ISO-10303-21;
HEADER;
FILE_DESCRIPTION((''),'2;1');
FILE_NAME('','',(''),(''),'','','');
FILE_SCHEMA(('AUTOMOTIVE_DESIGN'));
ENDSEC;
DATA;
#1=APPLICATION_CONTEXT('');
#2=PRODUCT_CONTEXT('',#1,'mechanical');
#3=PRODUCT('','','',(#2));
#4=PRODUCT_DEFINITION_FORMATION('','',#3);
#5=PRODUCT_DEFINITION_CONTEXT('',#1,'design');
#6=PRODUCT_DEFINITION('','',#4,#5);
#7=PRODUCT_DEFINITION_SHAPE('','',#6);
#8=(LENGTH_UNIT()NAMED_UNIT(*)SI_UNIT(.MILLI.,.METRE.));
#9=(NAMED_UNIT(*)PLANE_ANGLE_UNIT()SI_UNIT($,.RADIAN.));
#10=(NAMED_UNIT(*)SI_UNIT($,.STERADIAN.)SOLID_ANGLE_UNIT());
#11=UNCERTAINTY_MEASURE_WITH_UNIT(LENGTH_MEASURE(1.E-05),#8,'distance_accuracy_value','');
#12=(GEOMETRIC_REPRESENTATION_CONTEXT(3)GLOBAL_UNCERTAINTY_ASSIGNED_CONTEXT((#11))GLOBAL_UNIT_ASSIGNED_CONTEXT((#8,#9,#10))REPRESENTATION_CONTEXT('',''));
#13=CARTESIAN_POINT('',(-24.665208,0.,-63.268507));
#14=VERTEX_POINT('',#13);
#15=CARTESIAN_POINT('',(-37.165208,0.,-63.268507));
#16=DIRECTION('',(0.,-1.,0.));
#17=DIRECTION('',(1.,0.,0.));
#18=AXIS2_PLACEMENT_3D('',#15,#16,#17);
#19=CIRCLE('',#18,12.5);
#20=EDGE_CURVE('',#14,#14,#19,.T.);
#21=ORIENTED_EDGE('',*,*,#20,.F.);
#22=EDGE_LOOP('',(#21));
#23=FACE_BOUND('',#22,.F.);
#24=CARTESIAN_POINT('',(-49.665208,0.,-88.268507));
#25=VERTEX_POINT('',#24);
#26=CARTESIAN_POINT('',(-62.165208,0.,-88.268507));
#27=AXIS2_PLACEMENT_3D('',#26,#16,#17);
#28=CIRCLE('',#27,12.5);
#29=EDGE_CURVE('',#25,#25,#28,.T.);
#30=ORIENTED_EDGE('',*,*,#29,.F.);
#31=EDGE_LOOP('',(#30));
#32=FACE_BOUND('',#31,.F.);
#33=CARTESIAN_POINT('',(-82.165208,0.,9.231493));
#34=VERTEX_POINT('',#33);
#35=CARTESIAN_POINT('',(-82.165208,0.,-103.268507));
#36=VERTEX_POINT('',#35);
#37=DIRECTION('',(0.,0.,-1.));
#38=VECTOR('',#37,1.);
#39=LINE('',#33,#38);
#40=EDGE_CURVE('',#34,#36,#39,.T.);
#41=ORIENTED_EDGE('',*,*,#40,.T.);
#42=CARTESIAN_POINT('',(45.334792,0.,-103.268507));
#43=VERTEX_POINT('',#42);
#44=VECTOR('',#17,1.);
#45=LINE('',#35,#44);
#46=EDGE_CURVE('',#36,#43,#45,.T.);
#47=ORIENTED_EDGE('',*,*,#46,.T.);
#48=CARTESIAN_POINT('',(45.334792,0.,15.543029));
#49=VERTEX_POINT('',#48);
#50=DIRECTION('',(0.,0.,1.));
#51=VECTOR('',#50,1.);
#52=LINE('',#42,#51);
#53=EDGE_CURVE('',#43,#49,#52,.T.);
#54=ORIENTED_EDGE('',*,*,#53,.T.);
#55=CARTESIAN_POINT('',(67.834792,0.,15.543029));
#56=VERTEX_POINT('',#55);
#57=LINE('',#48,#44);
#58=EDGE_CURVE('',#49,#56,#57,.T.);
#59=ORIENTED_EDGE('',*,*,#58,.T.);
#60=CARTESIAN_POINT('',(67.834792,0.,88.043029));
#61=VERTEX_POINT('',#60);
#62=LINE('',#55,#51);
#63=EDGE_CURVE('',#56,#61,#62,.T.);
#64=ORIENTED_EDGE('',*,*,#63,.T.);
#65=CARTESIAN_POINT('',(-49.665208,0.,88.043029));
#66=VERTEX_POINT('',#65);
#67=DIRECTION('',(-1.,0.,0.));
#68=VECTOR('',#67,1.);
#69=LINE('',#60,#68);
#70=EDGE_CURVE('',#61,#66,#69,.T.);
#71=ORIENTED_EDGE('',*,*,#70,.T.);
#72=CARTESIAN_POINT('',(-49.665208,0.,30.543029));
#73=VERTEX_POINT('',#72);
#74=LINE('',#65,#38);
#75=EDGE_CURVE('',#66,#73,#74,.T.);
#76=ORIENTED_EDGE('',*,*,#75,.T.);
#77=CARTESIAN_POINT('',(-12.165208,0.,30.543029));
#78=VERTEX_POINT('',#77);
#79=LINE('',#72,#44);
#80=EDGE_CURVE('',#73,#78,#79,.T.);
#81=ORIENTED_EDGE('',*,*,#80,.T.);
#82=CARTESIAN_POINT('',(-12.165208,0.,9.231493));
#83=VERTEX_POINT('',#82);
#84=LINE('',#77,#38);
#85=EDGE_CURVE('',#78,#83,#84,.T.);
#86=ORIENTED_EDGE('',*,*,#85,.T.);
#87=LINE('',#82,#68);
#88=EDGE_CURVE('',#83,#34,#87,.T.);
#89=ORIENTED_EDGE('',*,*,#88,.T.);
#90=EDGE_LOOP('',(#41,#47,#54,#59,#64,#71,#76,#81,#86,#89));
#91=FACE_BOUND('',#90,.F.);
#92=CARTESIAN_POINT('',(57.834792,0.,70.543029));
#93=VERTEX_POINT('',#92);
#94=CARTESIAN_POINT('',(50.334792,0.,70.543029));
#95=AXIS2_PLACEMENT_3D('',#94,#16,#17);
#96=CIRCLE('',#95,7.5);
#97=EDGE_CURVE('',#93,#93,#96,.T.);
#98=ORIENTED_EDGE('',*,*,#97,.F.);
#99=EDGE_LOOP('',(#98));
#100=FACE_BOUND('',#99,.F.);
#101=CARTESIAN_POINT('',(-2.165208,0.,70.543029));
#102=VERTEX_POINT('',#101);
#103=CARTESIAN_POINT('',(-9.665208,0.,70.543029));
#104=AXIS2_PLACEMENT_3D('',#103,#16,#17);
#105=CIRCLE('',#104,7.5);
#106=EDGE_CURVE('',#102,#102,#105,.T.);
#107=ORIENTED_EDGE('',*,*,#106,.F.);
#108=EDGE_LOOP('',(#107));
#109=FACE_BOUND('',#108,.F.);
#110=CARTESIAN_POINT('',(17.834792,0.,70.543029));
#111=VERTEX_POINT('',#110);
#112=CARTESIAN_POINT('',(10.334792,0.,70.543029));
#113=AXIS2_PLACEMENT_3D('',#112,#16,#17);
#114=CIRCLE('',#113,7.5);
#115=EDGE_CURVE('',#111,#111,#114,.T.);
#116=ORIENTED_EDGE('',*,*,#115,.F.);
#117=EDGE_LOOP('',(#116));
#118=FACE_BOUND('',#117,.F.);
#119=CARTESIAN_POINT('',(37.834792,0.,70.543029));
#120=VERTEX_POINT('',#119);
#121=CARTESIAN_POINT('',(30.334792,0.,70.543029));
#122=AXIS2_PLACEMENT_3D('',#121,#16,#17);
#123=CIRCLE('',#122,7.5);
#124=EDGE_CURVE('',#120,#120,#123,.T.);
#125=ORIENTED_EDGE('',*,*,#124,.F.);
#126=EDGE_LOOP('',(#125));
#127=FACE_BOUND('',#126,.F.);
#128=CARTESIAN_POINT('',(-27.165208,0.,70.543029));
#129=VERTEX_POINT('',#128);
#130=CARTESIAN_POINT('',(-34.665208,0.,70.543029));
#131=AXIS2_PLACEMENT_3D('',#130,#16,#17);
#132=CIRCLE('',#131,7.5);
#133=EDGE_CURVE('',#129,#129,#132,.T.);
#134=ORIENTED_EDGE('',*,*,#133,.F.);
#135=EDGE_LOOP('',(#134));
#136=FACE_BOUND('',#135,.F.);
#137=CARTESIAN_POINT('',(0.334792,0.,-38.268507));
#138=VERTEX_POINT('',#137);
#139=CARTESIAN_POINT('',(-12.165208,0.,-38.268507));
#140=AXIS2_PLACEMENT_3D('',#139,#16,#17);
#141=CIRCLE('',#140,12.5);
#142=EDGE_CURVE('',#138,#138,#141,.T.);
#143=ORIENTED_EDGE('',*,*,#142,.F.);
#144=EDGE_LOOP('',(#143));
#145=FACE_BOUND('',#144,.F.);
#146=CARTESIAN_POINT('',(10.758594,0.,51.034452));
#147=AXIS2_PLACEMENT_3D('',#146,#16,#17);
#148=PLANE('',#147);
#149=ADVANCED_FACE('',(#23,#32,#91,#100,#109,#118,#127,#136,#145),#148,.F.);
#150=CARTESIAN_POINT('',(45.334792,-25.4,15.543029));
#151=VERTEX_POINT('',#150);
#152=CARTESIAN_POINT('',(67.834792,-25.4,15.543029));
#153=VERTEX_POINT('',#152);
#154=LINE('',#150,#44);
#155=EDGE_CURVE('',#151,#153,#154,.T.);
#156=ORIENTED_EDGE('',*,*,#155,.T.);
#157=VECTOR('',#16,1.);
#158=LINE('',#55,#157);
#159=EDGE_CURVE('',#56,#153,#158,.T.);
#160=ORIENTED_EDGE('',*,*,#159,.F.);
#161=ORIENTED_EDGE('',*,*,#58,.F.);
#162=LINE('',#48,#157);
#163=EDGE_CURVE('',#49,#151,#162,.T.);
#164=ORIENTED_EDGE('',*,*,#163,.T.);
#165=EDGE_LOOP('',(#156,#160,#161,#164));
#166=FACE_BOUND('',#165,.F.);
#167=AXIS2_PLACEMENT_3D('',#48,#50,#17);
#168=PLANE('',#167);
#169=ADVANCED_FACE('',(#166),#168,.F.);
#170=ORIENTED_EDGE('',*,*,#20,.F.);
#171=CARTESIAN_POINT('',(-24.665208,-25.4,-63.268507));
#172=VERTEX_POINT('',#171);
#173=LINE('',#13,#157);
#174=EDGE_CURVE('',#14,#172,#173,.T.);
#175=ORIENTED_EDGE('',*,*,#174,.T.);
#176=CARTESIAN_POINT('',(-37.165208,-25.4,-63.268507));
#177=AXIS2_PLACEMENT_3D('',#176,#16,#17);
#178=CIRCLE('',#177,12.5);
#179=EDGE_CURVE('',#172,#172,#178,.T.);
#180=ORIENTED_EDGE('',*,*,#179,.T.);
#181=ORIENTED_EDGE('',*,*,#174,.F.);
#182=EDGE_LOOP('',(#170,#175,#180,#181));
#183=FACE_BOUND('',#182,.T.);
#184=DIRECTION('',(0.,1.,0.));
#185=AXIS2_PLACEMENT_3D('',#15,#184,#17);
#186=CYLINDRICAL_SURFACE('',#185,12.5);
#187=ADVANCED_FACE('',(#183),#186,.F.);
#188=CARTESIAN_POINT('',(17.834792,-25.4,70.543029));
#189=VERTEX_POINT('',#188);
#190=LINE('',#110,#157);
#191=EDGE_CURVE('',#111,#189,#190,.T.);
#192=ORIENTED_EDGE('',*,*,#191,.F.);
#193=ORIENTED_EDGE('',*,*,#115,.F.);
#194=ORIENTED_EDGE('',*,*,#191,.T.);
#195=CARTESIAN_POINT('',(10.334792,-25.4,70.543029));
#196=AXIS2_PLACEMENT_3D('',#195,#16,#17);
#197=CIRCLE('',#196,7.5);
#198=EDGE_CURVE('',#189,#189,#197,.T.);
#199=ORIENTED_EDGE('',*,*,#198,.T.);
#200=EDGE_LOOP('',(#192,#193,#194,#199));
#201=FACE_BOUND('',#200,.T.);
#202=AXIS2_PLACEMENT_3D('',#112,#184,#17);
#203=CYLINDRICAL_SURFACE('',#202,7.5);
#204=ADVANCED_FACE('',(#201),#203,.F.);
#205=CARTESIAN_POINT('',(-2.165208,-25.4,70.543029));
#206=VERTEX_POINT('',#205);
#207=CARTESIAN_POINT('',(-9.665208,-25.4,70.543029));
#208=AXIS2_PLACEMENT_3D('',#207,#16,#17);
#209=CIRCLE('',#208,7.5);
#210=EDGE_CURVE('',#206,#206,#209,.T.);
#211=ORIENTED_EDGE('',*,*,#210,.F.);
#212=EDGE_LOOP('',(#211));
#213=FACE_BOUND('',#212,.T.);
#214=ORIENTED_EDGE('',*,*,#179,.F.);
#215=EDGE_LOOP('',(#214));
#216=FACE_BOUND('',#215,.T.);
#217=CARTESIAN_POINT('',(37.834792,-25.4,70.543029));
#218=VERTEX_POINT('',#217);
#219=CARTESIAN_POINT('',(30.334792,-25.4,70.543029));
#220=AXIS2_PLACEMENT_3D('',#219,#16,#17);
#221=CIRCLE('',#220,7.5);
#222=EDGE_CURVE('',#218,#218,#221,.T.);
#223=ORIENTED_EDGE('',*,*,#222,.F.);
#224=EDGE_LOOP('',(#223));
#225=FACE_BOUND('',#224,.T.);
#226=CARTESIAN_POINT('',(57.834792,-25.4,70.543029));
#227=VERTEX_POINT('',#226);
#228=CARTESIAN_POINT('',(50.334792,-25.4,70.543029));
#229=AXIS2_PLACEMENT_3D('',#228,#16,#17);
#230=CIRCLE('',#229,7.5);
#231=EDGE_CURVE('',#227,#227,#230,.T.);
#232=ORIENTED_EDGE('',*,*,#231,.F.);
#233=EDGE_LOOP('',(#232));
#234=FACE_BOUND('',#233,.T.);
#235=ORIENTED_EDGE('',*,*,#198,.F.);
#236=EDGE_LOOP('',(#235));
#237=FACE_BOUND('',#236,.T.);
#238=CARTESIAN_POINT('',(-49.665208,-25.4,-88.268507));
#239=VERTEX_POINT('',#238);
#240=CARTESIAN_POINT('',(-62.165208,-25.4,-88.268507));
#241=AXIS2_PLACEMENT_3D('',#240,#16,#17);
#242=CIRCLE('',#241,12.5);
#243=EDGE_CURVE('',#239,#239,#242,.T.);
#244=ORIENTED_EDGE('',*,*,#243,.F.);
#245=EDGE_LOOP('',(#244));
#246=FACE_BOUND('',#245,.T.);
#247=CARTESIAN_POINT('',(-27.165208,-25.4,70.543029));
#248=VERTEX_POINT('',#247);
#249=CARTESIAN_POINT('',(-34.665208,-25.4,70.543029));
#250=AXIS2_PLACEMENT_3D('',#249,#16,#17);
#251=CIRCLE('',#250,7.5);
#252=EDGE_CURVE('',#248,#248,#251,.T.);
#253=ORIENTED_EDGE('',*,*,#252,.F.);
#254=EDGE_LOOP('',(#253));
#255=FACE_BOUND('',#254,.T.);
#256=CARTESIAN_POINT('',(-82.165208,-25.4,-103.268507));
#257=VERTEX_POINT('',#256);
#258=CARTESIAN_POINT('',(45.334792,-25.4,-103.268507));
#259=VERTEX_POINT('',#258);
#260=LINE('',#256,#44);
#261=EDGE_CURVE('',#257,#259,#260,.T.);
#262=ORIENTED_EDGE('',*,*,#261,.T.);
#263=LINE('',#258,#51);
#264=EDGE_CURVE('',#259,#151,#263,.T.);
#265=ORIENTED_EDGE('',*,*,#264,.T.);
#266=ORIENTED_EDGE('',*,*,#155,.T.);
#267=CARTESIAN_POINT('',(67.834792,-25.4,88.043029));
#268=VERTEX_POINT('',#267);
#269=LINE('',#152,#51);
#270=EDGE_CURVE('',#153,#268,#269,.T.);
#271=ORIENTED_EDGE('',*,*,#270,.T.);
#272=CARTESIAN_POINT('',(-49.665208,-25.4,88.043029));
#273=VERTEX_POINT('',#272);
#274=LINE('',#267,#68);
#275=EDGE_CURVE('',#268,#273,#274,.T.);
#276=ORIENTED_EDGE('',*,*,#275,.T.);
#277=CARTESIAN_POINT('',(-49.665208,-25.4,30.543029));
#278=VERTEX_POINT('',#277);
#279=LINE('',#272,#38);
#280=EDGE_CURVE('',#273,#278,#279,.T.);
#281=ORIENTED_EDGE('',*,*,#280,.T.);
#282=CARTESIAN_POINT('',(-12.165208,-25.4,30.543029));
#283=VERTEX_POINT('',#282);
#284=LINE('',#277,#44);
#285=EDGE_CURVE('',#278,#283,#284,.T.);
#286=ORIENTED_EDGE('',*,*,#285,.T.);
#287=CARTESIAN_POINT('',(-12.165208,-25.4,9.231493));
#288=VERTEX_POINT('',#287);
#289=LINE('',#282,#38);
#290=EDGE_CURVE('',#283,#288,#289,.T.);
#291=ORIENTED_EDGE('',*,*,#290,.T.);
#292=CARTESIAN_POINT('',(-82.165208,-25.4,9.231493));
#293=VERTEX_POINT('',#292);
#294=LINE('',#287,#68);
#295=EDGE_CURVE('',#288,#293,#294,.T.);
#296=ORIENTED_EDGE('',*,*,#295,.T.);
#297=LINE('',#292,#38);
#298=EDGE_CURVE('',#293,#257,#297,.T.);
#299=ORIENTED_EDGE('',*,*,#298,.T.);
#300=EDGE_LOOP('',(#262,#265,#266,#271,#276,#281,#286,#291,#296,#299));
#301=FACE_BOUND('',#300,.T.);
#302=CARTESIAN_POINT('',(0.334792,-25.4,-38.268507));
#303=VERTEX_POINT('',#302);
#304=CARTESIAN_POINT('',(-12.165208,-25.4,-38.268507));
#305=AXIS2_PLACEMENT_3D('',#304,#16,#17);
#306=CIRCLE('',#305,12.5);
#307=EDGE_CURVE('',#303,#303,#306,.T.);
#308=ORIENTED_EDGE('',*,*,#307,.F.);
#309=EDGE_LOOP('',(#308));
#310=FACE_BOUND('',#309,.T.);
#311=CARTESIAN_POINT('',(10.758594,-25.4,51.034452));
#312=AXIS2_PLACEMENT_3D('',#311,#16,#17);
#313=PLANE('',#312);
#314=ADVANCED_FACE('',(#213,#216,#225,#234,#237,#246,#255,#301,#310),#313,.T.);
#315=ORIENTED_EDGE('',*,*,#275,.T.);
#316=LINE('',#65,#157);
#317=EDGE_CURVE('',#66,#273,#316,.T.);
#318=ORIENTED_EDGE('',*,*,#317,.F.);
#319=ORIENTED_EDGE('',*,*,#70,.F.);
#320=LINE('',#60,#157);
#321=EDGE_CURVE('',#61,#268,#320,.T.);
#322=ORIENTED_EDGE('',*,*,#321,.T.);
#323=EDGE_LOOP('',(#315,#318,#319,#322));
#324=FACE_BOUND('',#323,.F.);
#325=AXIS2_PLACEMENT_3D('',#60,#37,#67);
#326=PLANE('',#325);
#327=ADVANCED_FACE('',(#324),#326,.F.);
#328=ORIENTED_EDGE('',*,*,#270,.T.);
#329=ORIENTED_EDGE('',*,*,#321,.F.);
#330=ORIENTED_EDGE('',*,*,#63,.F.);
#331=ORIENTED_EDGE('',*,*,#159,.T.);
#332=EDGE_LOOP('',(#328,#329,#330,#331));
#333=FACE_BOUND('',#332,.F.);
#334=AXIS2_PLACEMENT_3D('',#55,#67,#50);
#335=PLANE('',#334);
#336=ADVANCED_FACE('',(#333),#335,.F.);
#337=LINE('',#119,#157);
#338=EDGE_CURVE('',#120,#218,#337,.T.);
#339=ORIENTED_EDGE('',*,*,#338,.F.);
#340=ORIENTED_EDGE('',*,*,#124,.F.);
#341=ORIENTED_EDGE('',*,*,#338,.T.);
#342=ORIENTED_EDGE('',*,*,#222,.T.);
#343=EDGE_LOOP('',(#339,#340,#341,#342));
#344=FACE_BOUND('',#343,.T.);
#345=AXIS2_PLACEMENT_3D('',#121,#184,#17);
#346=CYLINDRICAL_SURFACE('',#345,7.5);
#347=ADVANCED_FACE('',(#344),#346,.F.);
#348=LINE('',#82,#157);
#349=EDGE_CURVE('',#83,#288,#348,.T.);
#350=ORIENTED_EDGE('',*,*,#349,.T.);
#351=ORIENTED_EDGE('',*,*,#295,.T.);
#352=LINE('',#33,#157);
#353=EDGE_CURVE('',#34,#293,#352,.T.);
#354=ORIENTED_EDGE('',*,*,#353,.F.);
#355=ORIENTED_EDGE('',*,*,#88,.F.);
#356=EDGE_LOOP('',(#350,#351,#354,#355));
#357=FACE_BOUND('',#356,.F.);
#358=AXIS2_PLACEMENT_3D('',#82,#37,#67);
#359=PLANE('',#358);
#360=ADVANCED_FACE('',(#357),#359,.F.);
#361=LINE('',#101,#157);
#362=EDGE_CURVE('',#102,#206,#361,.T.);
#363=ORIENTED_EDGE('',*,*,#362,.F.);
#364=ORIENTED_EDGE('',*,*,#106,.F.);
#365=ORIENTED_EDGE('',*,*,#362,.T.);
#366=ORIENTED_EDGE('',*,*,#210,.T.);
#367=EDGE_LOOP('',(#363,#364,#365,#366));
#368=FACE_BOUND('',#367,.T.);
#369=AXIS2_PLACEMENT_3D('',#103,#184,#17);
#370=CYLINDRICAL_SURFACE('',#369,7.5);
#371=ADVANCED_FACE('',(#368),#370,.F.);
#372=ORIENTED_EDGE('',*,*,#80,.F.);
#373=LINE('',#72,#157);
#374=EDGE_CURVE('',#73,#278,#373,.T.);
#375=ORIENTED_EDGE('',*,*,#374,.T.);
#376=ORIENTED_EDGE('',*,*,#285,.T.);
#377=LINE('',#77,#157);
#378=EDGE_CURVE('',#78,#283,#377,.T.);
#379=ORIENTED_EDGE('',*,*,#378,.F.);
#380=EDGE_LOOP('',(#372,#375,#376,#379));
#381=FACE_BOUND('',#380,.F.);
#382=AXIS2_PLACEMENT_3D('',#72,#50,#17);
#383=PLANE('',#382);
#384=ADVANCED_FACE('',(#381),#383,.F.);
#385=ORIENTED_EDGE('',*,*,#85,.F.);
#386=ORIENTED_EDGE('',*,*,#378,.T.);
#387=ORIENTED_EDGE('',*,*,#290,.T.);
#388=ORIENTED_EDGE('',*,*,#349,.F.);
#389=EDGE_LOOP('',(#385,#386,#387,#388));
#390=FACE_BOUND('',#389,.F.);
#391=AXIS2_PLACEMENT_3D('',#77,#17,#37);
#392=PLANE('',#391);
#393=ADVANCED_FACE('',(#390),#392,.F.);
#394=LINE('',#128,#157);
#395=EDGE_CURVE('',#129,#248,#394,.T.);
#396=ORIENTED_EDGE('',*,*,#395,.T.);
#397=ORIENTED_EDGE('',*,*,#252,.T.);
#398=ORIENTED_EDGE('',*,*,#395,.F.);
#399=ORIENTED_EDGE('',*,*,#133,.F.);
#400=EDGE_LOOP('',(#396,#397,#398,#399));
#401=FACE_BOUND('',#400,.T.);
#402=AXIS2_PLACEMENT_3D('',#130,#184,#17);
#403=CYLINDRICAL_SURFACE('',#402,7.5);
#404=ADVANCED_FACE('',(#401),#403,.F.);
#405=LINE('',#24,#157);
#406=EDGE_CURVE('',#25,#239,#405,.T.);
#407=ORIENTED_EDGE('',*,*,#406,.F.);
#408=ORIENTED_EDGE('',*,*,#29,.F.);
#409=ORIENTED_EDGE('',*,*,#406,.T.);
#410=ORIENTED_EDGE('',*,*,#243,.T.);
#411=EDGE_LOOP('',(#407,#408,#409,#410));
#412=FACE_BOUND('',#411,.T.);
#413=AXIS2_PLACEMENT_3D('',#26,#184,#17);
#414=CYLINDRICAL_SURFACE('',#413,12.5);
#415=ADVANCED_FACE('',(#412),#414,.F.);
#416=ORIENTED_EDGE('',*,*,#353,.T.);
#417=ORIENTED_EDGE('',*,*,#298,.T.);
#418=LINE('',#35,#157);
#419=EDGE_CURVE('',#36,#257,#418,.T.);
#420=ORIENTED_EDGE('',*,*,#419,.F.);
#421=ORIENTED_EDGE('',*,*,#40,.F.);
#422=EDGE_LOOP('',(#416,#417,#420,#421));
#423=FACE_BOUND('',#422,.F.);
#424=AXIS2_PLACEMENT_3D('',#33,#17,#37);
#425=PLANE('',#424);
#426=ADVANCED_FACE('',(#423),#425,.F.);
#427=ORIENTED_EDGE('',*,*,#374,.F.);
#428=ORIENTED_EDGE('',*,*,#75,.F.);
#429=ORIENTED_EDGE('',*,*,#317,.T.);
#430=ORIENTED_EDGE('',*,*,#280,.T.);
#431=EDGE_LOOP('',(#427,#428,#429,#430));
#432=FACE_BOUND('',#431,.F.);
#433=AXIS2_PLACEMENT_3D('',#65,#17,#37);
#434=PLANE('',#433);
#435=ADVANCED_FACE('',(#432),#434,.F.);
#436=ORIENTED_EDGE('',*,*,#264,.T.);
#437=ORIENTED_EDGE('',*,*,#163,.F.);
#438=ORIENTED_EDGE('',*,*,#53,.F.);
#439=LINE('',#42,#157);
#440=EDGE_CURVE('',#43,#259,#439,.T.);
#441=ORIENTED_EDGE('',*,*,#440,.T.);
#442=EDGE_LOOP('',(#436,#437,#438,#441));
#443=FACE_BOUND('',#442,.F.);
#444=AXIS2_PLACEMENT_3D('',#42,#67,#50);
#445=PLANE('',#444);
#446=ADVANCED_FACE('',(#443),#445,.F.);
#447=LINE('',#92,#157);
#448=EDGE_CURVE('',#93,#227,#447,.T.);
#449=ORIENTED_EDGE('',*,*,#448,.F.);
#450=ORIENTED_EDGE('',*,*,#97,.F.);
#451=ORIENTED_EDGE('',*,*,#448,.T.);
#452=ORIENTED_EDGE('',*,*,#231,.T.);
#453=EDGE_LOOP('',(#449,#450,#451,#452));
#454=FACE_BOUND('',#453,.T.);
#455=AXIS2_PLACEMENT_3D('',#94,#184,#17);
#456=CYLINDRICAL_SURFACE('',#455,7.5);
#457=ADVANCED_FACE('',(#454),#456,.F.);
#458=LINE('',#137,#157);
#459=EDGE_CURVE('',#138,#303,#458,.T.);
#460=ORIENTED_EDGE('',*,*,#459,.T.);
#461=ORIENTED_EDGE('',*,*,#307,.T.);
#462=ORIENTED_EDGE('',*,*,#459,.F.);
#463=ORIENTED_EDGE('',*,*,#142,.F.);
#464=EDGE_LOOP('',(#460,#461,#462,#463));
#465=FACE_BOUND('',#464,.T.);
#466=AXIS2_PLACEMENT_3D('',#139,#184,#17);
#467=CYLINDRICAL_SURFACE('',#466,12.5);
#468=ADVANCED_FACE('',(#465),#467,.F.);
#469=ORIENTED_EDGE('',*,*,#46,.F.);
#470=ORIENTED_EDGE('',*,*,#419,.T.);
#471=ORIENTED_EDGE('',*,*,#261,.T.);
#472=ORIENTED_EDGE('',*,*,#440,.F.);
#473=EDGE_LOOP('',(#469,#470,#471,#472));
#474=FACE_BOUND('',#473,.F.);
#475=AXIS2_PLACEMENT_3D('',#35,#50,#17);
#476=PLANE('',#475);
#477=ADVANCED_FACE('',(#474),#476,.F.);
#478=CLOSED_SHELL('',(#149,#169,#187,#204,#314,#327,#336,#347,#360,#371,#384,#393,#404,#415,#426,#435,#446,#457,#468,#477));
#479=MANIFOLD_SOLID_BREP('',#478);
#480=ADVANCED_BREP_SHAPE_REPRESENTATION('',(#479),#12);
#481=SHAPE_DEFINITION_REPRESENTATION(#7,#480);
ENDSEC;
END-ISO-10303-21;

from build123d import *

# Parameters (mm, degrees)
F0_R     = 7.5
F0_R_2   = 12.5
F1_DEPTH = 25.4


with BuildPart() as f1:
    # F0 (on Front) → F1 (new body)
    with BuildSketch(Plane.XZ):
        Polygon((-12.1652076736, 30.5430293083), (-12.1652076736, 9.2314934358), (45.3347923264, 9.2314934358), (45.3347923264, 15.5430293083), (67.8347923264, 15.5430293083), (67.8347923264, 70.5430293083), (67.8347923264, 88.0430293083), (-49.6652076736, 88.0430293083), (-49.6652076736, 30.5430293083), align=None)
        with Locations((-34.6652076736, 70.5430293083)):
            Circle(F0_R, mode=Mode.SUBTRACT)
        with Locations((-9.6652076736, 70.5430293083)):
            Circle(F0_R, mode=Mode.SUBTRACT)
        with Locations((10.3347923264, 70.5430293083)):
            Circle(F0_R, mode=Mode.SUBTRACT)
        with Locations((30.3347923264, 70.5430293083)):
            Circle(F0_R, mode=Mode.SUBTRACT)
        with Locations((50.3347923264, 70.5430293083)):
            Circle(F0_R, mode=Mode.SUBTRACT)
        Polygon((-12.1652076736, 9.2314934358), (-82.1652076736, 9.2314934358), (-82.1652076736, -38.2685065642), (-82.1652076736, -63.2685065642), (-82.1652076736, -88.2685065642), (-82.1652076736, -103.2685065642), (-62.1652076736, -103.2685065642), (-37.1652076736, -103.2685065642), (-12.1652076736, -103.2685065642), (45.3347923264, -103.2685065642), (45.3347923264, 9.2314934358), align=None)
        with Locations((-62.1652076736, -88.2685065642)):
            Circle(F0_R_2, mode=Mode.SUBTRACT)
        with Locations((-37.1652076736, -63.2685065642)):
            Circle(F0_R_2, mode=Mode.SUBTRACT)
        with Locations((-12.1652076736, -38.2685065642)):
            Circle(F0_R_2, mode=Mode.SUBTRACT)
    extrude(amount=F1_DEPTH)


solid = f1.part
